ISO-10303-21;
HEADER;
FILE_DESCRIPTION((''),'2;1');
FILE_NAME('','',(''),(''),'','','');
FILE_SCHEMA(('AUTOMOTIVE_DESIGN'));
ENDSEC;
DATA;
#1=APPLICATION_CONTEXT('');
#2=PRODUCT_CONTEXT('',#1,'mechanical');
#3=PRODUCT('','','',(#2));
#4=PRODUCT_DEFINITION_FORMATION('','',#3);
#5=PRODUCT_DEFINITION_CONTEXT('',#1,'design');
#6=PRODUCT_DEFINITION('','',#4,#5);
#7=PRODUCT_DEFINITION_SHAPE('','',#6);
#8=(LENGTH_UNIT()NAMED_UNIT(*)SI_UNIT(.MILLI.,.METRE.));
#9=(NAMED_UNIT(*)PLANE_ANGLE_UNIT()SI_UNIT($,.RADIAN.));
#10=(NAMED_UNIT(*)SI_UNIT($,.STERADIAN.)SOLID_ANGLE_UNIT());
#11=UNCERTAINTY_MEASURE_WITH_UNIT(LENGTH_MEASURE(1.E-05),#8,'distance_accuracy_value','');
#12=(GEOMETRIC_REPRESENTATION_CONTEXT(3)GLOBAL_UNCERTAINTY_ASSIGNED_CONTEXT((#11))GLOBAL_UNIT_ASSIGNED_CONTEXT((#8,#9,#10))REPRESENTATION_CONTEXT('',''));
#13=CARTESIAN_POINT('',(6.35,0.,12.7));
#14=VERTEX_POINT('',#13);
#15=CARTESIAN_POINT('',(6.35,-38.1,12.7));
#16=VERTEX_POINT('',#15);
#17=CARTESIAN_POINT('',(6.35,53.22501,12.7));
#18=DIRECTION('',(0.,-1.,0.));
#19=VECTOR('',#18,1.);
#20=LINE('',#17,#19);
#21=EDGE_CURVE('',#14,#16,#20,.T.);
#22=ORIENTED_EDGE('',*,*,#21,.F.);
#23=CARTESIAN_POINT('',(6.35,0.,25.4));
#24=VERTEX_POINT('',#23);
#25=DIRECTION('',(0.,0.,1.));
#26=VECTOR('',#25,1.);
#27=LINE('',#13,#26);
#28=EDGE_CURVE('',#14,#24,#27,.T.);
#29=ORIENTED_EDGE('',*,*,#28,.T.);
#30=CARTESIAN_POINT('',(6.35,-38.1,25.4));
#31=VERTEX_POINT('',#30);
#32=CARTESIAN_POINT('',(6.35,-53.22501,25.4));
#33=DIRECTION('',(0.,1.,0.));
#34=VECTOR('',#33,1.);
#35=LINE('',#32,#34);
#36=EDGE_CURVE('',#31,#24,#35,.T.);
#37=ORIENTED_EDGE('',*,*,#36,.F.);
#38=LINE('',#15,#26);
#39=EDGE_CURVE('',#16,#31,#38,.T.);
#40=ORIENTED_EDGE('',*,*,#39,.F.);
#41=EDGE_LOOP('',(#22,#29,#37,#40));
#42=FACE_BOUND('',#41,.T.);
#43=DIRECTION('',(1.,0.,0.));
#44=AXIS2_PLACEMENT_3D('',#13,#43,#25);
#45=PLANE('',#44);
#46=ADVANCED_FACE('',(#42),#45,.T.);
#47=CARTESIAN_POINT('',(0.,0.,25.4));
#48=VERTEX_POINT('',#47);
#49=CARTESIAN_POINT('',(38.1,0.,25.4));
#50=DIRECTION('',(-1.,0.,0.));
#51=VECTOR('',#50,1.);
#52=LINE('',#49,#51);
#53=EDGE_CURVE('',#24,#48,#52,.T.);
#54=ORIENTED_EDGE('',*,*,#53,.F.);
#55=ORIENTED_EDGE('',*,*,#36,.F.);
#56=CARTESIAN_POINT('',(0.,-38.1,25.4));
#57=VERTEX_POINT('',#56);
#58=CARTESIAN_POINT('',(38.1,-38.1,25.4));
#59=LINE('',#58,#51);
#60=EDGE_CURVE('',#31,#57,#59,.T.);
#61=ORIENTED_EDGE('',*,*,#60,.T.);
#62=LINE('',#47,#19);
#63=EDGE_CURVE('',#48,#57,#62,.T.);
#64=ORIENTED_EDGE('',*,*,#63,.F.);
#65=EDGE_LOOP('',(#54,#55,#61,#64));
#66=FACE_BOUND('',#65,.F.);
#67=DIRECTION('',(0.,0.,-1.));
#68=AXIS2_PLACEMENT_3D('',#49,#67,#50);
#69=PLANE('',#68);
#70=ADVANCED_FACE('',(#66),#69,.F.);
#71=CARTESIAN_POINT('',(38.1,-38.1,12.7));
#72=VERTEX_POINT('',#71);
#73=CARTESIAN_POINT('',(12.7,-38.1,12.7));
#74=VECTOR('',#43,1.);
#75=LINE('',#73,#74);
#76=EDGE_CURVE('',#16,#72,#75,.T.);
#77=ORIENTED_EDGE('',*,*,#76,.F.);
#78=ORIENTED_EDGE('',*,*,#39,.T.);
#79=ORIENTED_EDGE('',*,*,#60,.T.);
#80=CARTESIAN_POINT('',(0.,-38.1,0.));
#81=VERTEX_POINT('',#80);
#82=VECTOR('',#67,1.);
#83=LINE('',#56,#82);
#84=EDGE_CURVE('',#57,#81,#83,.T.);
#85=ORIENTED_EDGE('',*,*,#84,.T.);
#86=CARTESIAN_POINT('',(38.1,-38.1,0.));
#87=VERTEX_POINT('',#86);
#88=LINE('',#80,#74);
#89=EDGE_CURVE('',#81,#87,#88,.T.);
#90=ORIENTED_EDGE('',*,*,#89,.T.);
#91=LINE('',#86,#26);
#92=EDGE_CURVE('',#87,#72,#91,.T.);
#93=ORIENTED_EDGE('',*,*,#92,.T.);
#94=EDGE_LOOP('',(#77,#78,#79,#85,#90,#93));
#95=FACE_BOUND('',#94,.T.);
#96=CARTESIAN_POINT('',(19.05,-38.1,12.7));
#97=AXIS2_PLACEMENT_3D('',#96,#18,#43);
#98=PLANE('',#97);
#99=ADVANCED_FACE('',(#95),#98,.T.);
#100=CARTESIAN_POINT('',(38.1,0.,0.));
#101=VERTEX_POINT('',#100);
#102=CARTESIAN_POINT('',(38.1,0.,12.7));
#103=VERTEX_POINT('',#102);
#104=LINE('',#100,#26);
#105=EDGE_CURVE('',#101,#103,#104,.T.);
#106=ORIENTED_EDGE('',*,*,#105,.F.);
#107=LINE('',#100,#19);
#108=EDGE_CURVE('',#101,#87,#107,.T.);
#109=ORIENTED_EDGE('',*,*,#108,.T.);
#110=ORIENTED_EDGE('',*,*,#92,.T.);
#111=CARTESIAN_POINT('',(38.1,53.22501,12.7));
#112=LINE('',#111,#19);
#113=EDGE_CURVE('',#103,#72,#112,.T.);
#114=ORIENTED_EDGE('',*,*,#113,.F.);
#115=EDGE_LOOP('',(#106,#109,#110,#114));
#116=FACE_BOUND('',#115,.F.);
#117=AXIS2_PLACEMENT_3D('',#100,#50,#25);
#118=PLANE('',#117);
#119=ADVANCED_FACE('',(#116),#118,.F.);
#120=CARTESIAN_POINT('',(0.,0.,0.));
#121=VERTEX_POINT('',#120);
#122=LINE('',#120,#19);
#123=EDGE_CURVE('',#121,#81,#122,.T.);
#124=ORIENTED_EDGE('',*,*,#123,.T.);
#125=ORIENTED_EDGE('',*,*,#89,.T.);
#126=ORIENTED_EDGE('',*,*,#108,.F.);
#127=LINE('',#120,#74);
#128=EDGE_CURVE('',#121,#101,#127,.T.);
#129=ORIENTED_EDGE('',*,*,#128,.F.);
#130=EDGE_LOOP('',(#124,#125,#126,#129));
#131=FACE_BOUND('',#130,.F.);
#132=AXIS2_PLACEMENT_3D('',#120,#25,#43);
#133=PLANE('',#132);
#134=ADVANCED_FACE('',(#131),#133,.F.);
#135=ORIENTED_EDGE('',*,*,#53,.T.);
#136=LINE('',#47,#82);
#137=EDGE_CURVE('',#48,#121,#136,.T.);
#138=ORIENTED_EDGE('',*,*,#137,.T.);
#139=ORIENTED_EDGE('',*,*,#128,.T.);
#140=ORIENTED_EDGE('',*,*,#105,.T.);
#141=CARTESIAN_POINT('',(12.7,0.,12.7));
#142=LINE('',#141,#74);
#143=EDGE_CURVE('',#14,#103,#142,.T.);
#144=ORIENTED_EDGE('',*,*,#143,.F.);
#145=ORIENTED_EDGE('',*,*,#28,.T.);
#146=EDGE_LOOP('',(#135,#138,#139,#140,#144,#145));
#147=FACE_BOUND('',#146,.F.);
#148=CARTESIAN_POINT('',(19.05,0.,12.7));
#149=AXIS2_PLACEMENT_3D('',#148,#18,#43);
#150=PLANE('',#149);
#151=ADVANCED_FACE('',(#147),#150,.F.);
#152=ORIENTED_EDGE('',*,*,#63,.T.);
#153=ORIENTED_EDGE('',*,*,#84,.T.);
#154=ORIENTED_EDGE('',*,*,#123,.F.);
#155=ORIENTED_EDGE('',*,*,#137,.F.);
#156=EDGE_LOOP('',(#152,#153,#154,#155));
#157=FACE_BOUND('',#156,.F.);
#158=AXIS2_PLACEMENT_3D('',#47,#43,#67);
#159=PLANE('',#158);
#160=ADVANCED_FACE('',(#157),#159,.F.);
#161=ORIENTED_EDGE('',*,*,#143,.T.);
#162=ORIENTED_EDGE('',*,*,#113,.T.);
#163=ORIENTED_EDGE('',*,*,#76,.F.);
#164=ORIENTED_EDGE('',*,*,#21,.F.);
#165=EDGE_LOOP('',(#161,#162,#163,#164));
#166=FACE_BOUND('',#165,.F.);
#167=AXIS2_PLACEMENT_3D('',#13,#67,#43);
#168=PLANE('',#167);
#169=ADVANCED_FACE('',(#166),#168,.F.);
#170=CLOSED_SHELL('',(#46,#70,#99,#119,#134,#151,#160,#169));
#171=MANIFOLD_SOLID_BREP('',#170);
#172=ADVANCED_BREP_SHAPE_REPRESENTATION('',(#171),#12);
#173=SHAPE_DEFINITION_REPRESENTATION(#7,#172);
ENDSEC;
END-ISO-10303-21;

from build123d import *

# Parameters (mm, degrees)
F1_DEPTH = 38.1
F2_W     = 31.75
F2_H     = 12.7
F3_DEPTH = 53.22501


with BuildPart() as f1:
    # F0 (on Front) → F1 (new body)
    with BuildSketch(Plane.XZ):
        Polygon((0, 25.4), (0, 0), (38.1, 0), (38.1, 12.7), (38.1, 25.4), align=None)
    extrude(amount=F1_DEPTH)

    # F2 (on Front) → F3 (cut, symmetric)
    with BuildSketch(Plane.XZ):
        with Locations((22.225, 19.05)):
            Rectangle(F2_W, F2_H)
    extrude(amount=F3_DEPTH, both=True, mode=Mode.SUBTRACT)


solid = f1.part
